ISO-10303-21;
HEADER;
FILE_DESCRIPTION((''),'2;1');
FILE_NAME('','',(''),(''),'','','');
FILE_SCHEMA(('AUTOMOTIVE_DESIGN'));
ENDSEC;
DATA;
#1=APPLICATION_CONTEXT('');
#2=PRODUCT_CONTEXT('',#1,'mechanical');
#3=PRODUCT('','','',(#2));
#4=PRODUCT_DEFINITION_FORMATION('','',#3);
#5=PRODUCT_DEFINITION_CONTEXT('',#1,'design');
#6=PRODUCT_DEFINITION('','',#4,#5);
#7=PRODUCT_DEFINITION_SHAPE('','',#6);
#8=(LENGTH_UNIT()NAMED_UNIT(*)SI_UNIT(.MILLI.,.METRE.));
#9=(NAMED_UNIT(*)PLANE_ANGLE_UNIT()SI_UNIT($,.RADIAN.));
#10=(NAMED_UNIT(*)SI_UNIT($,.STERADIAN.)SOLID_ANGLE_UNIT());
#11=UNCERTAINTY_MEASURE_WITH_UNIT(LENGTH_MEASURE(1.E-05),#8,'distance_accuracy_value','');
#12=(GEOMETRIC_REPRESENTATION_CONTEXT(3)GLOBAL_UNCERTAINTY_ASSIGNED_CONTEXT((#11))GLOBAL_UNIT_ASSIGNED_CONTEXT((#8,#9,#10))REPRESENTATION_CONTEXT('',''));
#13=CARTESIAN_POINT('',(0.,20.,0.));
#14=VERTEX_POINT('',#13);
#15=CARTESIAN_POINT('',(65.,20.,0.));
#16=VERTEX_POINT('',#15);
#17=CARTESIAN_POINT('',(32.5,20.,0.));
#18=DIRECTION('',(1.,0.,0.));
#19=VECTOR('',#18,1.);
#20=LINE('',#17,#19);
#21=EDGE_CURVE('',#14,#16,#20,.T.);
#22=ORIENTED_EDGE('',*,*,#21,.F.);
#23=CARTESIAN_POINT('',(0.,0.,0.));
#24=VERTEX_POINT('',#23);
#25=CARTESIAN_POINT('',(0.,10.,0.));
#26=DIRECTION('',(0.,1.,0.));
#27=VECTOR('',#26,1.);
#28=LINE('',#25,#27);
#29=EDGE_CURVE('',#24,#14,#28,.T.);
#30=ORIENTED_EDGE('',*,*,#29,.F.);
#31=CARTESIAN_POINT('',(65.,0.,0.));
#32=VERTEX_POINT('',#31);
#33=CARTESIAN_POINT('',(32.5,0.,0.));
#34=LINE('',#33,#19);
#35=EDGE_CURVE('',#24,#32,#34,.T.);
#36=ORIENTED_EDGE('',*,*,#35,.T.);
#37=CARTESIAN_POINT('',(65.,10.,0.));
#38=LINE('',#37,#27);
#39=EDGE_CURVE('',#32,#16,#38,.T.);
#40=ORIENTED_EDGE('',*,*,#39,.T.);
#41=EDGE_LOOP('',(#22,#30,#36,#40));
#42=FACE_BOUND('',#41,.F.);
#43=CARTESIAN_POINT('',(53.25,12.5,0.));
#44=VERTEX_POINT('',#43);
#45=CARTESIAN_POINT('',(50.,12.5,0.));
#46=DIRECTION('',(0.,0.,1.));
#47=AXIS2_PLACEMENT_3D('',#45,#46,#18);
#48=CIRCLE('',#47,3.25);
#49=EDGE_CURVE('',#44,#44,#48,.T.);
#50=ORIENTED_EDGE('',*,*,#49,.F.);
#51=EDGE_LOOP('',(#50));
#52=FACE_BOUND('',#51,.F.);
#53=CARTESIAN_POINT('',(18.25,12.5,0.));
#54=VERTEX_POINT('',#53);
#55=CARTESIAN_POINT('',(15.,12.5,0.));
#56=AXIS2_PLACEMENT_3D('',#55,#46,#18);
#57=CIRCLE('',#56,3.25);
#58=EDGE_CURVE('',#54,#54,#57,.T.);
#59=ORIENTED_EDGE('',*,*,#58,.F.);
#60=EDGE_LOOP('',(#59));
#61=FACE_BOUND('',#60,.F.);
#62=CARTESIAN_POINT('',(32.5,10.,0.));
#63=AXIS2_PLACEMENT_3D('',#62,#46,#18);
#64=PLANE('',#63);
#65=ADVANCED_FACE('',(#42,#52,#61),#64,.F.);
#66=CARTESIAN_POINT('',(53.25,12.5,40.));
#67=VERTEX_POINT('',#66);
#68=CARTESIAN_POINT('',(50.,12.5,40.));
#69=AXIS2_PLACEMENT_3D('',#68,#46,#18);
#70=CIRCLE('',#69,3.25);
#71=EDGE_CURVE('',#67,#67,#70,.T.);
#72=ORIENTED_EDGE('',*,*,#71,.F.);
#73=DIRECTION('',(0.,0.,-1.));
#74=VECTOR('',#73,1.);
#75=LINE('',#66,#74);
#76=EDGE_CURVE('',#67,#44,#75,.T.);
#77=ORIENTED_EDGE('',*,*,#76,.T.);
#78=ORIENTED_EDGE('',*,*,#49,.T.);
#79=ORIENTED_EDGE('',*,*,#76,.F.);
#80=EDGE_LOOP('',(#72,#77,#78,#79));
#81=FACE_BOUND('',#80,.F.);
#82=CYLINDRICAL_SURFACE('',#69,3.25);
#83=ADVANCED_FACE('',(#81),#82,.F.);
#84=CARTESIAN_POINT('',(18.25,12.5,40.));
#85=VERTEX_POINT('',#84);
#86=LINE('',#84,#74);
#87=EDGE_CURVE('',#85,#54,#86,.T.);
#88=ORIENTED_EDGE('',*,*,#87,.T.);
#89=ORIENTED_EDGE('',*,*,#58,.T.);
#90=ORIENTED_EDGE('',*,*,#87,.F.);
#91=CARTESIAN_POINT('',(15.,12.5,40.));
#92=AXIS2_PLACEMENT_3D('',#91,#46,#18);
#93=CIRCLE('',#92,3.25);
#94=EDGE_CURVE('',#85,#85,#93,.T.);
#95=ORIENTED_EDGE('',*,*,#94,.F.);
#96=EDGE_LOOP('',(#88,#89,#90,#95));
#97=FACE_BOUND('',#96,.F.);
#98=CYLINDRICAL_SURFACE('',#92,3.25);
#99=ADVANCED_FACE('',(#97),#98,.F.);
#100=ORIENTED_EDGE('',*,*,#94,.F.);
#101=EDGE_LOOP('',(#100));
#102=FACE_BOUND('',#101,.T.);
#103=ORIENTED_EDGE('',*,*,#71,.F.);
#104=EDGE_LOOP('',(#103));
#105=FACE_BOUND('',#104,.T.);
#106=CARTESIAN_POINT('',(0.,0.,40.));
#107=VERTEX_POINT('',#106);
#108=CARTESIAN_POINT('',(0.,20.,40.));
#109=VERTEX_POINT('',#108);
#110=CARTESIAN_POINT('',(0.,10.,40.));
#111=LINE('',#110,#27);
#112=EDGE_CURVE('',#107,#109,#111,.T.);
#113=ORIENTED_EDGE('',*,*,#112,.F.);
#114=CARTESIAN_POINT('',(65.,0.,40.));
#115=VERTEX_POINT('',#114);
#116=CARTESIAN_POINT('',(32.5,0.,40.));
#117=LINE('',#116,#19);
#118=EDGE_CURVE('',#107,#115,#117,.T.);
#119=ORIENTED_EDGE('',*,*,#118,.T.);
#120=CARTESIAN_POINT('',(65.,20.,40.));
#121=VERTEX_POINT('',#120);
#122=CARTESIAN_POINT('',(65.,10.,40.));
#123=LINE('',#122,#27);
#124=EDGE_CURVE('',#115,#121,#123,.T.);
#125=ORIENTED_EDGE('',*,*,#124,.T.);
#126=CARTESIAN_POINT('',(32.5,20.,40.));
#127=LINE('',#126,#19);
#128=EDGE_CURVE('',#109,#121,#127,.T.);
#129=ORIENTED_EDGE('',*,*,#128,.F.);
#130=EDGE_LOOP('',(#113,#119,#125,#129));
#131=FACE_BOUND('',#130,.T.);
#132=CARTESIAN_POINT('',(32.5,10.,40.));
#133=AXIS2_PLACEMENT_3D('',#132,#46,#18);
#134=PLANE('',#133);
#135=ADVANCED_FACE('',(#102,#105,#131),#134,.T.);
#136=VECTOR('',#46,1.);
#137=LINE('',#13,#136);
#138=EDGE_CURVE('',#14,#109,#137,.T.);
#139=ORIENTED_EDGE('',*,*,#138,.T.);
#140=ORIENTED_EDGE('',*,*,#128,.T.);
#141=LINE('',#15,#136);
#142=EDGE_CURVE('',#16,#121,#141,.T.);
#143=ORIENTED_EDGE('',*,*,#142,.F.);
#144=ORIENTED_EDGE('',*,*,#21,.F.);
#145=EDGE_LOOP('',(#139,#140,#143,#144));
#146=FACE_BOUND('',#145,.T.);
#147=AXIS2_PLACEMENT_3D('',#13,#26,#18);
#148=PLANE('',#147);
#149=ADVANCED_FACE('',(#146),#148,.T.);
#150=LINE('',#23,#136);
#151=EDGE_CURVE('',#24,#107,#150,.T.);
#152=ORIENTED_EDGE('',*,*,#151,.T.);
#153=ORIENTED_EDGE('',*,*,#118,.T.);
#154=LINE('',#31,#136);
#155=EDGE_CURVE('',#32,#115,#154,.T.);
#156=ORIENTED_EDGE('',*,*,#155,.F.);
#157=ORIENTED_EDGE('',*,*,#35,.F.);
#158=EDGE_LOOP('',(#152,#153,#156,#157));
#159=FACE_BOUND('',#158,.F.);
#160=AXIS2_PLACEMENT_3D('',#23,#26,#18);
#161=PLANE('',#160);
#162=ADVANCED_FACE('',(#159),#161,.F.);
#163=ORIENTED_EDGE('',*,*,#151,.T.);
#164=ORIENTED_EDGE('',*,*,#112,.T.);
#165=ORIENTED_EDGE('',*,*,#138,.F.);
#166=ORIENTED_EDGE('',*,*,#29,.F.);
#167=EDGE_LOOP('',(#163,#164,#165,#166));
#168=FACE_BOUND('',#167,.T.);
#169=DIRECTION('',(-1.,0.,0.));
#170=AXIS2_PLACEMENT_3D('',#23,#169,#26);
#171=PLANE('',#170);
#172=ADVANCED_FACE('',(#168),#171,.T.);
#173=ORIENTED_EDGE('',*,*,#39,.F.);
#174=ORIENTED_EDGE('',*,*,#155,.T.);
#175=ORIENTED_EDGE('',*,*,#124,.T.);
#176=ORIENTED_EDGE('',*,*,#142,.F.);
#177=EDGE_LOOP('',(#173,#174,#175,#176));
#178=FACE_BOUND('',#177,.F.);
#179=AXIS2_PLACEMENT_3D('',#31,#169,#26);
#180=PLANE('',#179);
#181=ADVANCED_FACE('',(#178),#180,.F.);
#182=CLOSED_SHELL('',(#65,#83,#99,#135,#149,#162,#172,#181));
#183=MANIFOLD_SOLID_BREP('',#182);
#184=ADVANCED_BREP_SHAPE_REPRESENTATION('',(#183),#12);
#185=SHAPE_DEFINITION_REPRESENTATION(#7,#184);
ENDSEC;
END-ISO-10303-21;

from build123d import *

# Parameters (mm, degrees)
SKETCH_W     = 65
SKETCH_H     = 20
PAD_DEPTH    = 40
SKETCH001_R  = 3.25
POCKET_DEPTH = 40.001


with BuildPart() as part:
    # Sketch → Pad (new body)
    with BuildSketch(Plane.XY):
        with Locations((32.5, 10)):
            Rectangle(SKETCH_W, SKETCH_H)
    extrude(amount=PAD_DEPTH)

    # Sketch001 (on Face6 of Pad) → Pocket (cut, through all)
    with BuildSketch(Plane.XY.offset(40)):
        with Locations((15, 12.5)):
            Circle(SKETCH001_R)
        with Locations((50, 12.5)):
            Circle(SKETCH001_R)
    extrude(amount=-POCKET_DEPTH, mode=Mode.SUBTRACT)


solid = part.part
